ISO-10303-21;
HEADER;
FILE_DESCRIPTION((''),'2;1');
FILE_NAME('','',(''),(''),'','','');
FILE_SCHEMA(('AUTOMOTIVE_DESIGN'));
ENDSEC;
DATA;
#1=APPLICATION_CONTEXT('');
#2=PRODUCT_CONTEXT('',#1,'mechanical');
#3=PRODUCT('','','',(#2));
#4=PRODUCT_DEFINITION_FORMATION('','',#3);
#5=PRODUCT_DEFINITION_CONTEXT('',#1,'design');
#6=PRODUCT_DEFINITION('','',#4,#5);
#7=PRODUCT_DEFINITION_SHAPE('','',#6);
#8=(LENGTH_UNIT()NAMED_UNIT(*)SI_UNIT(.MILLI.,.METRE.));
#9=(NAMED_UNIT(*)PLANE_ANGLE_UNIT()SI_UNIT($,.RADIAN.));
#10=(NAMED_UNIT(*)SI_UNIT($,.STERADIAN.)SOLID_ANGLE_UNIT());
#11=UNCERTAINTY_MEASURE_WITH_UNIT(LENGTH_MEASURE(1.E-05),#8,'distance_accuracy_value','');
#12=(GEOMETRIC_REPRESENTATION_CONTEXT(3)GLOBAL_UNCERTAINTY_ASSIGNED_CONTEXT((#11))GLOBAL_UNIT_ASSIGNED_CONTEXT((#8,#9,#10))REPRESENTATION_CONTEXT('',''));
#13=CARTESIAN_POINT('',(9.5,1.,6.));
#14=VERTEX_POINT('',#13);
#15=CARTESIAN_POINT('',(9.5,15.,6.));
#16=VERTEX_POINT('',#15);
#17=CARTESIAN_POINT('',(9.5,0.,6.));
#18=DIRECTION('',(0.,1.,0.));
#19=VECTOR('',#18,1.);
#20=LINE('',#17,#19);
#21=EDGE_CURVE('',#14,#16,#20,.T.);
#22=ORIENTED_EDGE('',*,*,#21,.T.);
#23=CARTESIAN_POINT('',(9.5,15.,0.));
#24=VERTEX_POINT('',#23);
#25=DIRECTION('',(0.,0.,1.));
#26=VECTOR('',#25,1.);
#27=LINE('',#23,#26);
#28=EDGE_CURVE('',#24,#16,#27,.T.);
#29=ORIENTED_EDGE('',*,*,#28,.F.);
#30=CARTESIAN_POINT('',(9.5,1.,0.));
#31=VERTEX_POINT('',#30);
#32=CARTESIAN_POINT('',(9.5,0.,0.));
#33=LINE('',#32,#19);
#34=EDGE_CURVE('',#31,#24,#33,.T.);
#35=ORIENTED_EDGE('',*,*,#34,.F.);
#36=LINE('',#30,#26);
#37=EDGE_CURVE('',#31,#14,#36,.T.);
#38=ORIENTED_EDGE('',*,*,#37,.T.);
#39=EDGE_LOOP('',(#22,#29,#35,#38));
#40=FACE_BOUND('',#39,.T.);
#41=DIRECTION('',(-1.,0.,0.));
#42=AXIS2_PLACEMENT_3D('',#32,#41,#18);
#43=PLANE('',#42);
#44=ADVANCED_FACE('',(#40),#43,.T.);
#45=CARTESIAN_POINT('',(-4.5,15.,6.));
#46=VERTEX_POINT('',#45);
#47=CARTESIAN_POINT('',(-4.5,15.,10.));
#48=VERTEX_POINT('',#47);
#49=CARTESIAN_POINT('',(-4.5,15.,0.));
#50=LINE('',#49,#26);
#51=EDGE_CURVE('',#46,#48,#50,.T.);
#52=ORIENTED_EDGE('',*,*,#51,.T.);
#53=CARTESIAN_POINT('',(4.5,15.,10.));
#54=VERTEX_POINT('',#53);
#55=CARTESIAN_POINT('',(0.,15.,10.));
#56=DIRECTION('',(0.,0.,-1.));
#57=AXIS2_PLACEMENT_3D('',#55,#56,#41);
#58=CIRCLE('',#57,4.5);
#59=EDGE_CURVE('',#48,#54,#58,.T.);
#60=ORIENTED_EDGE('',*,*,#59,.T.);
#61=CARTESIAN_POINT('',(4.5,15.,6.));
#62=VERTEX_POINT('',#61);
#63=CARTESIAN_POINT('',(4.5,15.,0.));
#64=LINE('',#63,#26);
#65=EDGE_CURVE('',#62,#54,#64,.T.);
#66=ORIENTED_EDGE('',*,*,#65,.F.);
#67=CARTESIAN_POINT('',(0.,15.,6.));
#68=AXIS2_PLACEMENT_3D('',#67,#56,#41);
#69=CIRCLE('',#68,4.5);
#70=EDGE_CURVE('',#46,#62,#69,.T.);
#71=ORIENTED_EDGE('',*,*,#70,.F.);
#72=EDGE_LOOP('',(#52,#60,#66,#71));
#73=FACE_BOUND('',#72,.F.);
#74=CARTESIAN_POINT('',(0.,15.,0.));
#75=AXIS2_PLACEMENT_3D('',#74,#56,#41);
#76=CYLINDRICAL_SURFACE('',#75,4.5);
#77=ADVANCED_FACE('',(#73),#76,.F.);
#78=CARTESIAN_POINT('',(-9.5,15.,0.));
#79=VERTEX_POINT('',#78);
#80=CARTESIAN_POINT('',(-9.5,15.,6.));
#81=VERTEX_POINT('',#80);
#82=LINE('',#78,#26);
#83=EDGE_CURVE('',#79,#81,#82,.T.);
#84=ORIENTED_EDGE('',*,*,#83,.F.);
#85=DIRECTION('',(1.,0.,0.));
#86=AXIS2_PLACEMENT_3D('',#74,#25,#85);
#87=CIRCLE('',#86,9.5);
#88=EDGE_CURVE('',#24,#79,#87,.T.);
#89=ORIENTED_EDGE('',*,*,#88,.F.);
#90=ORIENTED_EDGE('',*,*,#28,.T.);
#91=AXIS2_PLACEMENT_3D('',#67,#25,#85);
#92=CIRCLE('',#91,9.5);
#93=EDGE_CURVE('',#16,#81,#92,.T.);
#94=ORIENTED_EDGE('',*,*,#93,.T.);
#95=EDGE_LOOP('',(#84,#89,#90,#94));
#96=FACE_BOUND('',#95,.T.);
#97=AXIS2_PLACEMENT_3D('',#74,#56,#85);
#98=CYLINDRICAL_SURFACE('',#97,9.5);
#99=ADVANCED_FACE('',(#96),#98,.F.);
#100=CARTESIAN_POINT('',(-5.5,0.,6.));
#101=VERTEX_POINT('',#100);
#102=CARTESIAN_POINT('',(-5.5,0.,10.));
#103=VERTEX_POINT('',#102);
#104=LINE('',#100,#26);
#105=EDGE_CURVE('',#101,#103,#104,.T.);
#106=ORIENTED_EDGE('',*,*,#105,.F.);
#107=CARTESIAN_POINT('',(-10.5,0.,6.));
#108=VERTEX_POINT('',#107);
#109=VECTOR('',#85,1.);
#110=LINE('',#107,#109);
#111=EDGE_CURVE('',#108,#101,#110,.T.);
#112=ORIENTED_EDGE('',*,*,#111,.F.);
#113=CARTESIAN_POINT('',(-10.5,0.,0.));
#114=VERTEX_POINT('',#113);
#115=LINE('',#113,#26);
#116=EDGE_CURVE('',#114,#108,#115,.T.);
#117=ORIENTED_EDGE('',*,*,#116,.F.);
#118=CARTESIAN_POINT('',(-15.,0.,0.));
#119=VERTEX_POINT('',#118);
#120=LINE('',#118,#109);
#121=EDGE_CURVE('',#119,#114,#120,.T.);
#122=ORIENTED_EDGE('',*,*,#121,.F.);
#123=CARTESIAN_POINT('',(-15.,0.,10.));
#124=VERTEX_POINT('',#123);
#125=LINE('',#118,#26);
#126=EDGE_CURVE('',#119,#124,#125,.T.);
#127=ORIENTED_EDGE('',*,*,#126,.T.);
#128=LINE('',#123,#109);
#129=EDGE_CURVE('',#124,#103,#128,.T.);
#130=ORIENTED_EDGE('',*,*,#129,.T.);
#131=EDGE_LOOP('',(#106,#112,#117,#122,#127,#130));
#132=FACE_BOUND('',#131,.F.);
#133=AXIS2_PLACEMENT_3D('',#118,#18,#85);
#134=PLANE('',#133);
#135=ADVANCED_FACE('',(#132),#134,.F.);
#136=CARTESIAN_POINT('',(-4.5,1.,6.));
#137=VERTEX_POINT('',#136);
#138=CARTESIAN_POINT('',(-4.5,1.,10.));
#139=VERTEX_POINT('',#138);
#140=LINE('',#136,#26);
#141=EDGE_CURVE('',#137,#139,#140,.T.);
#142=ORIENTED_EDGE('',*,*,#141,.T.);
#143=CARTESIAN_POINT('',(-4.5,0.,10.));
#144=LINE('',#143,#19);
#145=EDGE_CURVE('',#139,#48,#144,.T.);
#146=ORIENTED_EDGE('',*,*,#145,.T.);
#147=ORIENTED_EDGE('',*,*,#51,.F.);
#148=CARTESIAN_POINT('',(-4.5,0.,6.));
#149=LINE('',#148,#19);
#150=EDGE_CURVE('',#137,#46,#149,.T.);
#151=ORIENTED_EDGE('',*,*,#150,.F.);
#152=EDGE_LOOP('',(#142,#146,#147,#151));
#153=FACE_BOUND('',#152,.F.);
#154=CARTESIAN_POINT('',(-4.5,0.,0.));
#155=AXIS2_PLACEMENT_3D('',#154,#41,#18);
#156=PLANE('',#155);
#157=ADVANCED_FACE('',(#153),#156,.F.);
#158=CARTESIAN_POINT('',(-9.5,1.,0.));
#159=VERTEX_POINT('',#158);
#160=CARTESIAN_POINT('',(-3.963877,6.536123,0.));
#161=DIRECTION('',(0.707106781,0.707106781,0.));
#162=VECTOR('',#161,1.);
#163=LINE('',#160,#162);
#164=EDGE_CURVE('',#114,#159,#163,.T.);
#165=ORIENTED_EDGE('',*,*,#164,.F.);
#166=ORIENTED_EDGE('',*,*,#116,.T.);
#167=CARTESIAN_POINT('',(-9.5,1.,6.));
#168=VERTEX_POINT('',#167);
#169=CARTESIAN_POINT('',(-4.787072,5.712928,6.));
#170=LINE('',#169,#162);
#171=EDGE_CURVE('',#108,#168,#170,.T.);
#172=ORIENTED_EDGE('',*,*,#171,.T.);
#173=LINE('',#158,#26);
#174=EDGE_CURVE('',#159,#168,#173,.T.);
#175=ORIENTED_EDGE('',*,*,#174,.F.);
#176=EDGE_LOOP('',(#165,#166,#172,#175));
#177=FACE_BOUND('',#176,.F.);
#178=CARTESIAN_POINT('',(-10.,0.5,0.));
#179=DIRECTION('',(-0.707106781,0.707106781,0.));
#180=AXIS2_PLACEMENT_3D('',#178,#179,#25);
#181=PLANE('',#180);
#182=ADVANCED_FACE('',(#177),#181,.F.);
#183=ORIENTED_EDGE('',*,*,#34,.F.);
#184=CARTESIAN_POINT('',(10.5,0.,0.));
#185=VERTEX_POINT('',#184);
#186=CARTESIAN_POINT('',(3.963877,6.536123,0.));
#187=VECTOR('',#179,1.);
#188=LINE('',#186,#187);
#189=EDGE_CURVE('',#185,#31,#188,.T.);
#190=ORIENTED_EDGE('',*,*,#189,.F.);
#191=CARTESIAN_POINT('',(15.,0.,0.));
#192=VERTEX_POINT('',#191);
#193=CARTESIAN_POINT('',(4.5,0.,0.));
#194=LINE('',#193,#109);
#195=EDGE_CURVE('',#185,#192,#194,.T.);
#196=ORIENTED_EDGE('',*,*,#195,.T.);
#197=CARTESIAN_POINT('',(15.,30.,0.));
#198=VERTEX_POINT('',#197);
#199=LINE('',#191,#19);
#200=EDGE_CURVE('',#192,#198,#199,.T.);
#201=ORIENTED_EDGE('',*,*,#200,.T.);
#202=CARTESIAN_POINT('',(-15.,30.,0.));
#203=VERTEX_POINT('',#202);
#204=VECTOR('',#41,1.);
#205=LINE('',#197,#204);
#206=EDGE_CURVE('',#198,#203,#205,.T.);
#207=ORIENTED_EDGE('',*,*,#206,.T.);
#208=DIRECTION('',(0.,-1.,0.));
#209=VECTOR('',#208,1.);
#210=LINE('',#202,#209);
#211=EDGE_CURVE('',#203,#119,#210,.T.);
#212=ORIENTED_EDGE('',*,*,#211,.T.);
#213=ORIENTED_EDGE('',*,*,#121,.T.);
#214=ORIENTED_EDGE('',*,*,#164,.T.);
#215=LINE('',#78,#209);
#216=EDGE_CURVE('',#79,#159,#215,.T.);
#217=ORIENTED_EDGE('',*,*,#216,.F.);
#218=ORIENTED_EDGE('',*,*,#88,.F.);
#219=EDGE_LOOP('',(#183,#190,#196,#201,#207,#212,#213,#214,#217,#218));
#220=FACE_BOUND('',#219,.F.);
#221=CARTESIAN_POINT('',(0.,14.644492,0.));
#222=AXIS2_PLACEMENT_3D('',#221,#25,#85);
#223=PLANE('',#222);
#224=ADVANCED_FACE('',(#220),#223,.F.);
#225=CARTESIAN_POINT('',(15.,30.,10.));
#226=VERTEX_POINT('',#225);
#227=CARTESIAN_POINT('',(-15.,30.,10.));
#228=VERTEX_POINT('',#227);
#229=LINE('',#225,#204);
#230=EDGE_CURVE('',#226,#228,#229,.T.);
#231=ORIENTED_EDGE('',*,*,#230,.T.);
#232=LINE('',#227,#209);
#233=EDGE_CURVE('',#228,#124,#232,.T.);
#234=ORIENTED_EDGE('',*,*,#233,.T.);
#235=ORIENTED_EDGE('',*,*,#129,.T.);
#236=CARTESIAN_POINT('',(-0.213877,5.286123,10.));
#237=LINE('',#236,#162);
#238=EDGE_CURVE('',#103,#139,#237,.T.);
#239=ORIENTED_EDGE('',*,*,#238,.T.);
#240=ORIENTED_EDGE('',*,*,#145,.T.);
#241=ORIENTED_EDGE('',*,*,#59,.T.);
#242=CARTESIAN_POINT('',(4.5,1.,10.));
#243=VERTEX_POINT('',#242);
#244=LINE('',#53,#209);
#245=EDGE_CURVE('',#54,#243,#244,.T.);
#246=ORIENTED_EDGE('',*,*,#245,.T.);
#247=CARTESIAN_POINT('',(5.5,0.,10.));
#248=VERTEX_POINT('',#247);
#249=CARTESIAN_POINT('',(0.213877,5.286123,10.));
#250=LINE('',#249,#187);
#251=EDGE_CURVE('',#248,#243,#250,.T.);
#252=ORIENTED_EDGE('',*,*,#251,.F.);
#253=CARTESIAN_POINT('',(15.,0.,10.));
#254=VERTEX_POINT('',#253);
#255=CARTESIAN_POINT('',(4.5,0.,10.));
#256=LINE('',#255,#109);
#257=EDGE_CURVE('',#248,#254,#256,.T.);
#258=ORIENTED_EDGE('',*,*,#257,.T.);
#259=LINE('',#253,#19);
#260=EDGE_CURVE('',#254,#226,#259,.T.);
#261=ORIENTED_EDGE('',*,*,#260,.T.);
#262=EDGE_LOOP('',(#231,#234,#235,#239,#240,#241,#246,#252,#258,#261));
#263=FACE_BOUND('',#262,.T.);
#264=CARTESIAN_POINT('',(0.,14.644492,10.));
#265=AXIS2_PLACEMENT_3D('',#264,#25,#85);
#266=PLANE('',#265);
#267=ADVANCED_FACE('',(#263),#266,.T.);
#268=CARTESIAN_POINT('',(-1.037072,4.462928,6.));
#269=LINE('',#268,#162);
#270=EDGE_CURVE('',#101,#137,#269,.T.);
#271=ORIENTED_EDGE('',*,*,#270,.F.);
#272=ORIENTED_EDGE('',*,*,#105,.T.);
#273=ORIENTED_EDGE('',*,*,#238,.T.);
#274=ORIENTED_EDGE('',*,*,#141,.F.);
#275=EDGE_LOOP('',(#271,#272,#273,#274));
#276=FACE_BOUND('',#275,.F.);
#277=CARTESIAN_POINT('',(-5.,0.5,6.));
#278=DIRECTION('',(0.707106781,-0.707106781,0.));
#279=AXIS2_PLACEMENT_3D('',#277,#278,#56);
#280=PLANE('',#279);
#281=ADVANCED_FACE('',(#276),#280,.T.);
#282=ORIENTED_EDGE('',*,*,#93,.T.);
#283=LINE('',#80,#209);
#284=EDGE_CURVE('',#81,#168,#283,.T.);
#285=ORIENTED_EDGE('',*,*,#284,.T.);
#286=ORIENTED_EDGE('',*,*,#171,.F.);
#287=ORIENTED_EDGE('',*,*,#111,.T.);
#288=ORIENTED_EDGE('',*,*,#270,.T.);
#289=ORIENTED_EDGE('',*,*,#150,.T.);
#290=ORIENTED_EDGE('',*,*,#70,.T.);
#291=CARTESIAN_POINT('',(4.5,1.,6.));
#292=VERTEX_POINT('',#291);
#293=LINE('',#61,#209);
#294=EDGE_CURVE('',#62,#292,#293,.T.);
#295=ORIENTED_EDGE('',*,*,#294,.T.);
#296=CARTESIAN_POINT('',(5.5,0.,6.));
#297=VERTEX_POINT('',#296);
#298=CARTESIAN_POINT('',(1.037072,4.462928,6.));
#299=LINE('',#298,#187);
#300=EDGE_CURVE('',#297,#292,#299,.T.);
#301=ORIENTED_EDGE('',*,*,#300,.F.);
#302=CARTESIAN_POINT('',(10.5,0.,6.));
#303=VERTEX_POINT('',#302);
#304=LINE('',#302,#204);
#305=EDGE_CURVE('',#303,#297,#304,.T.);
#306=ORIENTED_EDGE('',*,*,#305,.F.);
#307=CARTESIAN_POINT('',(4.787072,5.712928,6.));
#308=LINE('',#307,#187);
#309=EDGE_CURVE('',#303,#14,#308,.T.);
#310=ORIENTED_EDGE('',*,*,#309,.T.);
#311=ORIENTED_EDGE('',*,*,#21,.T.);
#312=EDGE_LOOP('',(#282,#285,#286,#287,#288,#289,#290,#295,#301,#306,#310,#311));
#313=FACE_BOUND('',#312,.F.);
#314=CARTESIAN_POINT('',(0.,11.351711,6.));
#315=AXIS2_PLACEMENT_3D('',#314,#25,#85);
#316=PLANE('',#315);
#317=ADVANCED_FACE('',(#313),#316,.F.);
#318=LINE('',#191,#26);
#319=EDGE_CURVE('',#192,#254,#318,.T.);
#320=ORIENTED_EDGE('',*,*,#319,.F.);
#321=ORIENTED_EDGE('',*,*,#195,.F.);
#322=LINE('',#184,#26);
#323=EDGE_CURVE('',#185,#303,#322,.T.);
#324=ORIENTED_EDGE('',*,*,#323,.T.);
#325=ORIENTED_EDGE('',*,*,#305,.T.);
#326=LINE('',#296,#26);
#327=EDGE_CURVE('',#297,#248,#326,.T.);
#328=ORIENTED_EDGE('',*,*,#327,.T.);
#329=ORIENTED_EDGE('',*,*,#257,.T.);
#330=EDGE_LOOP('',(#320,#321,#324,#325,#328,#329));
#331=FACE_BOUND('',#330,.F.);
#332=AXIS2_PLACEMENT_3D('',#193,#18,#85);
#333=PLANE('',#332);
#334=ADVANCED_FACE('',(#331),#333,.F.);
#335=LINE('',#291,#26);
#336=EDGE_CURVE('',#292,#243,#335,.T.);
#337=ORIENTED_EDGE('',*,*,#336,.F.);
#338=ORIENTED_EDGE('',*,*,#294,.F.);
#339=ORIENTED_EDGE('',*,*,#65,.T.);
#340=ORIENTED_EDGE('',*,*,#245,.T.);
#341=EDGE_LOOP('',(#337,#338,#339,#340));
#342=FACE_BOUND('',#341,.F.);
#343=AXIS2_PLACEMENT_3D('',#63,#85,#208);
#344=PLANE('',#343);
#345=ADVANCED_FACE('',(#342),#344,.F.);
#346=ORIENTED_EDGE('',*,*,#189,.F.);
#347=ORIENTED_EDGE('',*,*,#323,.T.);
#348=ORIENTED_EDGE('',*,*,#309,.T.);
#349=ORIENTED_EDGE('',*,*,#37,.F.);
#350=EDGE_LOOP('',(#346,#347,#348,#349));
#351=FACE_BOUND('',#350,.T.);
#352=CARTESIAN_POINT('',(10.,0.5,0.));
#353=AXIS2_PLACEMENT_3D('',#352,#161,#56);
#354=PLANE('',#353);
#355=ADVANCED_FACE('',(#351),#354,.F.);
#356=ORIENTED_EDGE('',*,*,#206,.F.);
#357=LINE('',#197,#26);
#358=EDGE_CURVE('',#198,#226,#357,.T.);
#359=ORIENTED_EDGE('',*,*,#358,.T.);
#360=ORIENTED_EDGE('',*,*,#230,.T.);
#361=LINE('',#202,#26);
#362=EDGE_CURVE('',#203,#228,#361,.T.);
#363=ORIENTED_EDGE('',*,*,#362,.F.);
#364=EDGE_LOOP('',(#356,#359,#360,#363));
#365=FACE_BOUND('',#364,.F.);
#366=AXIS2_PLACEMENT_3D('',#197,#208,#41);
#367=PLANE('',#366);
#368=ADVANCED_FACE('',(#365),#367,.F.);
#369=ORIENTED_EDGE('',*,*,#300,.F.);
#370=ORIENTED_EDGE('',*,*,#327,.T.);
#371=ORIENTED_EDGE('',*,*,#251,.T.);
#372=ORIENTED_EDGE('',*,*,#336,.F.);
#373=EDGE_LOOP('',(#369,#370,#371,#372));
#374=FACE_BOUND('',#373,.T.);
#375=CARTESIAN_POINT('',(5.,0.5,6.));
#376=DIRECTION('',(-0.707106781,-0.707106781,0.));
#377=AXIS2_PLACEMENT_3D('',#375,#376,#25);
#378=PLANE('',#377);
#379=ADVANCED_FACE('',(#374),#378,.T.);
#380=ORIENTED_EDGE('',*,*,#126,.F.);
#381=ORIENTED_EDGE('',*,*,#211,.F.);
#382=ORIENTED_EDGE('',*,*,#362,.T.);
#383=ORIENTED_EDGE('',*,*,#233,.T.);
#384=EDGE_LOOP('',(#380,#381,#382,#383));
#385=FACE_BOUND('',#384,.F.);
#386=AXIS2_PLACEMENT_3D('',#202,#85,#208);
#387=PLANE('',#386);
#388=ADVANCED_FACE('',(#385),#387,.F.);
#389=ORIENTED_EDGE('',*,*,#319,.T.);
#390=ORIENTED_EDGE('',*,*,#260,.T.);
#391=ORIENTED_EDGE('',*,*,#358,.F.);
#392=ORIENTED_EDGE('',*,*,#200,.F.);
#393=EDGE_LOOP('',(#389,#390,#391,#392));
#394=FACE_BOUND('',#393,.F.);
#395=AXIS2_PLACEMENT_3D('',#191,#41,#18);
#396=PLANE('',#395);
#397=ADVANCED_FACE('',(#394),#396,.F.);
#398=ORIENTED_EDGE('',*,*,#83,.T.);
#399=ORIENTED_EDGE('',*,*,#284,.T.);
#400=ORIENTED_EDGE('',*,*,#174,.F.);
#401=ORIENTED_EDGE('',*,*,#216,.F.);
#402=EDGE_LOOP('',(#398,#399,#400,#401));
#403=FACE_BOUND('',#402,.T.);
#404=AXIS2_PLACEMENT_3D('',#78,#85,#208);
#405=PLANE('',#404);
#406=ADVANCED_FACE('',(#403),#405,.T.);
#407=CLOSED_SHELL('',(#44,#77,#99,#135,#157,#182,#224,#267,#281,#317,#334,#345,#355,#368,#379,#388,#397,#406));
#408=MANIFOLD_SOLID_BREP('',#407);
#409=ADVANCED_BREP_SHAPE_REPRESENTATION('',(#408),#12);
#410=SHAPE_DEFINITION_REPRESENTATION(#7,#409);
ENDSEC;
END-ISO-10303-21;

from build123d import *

# Parameters (mm, degrees)
F1_DEPTH = 10
F3_DEPTH = 6
F4_SIZE  = 1


with BuildPart() as f1:
    # F0 (on Top) → F1 (new body)
    with BuildSketch(Plane.XY):
        with BuildLine():
            Line((-15, 30), (-15, 0))
            Line((-15, 0), (-4.5, 0))
            Line((-4.5, 0), (-4.5, 15))
            ThreePointArc((-4.5, 15), (0, 19.5), (4.5, 15))
            Line((4.5, 15), (4.5, 0))
            Line((4.5, 0), (15, 0))
            Line((15, 0), (15, 30))
            Line((15, 30), (-15, 30))
        make_face()
    extrude(amount=F1_DEPTH)

    # F2 (on Top) → F3 (cut)
    with BuildSketch(Plane.XY):
        with BuildLine():
            Line((4.5, 0), (9.5, 0))
            Line((9.5, 0), (9.5, 15))
            ThreePointArc((9.5, 15), (0, 24.5), (-9.5, 15))
            Line((-9.5, 15), (-9.5, 0))
            Line((-9.5, 0), (-4.5, 0))
            Line((-4.5, 0), (-4.5, 15))
            ThreePointArc((-4.5, 15), (0, 19.5), (4.5, 15))
            Line((4.5, 15), (4.5, 0))
        make_face()
    extrude(amount=F3_DEPTH, mode=Mode.SUBTRACT)

    # F4
    f4_edges = [f1.edges().sort_by_distance(p)[0] for p in [
        (-9.5, 0, 3),
        (-4.5, 0, 8),
        (9.5, 0, 3),
        (4.5, 0, 8),
    ]]
    chamfer(f4_edges, length=F4_SIZE)


solid = f1.part
